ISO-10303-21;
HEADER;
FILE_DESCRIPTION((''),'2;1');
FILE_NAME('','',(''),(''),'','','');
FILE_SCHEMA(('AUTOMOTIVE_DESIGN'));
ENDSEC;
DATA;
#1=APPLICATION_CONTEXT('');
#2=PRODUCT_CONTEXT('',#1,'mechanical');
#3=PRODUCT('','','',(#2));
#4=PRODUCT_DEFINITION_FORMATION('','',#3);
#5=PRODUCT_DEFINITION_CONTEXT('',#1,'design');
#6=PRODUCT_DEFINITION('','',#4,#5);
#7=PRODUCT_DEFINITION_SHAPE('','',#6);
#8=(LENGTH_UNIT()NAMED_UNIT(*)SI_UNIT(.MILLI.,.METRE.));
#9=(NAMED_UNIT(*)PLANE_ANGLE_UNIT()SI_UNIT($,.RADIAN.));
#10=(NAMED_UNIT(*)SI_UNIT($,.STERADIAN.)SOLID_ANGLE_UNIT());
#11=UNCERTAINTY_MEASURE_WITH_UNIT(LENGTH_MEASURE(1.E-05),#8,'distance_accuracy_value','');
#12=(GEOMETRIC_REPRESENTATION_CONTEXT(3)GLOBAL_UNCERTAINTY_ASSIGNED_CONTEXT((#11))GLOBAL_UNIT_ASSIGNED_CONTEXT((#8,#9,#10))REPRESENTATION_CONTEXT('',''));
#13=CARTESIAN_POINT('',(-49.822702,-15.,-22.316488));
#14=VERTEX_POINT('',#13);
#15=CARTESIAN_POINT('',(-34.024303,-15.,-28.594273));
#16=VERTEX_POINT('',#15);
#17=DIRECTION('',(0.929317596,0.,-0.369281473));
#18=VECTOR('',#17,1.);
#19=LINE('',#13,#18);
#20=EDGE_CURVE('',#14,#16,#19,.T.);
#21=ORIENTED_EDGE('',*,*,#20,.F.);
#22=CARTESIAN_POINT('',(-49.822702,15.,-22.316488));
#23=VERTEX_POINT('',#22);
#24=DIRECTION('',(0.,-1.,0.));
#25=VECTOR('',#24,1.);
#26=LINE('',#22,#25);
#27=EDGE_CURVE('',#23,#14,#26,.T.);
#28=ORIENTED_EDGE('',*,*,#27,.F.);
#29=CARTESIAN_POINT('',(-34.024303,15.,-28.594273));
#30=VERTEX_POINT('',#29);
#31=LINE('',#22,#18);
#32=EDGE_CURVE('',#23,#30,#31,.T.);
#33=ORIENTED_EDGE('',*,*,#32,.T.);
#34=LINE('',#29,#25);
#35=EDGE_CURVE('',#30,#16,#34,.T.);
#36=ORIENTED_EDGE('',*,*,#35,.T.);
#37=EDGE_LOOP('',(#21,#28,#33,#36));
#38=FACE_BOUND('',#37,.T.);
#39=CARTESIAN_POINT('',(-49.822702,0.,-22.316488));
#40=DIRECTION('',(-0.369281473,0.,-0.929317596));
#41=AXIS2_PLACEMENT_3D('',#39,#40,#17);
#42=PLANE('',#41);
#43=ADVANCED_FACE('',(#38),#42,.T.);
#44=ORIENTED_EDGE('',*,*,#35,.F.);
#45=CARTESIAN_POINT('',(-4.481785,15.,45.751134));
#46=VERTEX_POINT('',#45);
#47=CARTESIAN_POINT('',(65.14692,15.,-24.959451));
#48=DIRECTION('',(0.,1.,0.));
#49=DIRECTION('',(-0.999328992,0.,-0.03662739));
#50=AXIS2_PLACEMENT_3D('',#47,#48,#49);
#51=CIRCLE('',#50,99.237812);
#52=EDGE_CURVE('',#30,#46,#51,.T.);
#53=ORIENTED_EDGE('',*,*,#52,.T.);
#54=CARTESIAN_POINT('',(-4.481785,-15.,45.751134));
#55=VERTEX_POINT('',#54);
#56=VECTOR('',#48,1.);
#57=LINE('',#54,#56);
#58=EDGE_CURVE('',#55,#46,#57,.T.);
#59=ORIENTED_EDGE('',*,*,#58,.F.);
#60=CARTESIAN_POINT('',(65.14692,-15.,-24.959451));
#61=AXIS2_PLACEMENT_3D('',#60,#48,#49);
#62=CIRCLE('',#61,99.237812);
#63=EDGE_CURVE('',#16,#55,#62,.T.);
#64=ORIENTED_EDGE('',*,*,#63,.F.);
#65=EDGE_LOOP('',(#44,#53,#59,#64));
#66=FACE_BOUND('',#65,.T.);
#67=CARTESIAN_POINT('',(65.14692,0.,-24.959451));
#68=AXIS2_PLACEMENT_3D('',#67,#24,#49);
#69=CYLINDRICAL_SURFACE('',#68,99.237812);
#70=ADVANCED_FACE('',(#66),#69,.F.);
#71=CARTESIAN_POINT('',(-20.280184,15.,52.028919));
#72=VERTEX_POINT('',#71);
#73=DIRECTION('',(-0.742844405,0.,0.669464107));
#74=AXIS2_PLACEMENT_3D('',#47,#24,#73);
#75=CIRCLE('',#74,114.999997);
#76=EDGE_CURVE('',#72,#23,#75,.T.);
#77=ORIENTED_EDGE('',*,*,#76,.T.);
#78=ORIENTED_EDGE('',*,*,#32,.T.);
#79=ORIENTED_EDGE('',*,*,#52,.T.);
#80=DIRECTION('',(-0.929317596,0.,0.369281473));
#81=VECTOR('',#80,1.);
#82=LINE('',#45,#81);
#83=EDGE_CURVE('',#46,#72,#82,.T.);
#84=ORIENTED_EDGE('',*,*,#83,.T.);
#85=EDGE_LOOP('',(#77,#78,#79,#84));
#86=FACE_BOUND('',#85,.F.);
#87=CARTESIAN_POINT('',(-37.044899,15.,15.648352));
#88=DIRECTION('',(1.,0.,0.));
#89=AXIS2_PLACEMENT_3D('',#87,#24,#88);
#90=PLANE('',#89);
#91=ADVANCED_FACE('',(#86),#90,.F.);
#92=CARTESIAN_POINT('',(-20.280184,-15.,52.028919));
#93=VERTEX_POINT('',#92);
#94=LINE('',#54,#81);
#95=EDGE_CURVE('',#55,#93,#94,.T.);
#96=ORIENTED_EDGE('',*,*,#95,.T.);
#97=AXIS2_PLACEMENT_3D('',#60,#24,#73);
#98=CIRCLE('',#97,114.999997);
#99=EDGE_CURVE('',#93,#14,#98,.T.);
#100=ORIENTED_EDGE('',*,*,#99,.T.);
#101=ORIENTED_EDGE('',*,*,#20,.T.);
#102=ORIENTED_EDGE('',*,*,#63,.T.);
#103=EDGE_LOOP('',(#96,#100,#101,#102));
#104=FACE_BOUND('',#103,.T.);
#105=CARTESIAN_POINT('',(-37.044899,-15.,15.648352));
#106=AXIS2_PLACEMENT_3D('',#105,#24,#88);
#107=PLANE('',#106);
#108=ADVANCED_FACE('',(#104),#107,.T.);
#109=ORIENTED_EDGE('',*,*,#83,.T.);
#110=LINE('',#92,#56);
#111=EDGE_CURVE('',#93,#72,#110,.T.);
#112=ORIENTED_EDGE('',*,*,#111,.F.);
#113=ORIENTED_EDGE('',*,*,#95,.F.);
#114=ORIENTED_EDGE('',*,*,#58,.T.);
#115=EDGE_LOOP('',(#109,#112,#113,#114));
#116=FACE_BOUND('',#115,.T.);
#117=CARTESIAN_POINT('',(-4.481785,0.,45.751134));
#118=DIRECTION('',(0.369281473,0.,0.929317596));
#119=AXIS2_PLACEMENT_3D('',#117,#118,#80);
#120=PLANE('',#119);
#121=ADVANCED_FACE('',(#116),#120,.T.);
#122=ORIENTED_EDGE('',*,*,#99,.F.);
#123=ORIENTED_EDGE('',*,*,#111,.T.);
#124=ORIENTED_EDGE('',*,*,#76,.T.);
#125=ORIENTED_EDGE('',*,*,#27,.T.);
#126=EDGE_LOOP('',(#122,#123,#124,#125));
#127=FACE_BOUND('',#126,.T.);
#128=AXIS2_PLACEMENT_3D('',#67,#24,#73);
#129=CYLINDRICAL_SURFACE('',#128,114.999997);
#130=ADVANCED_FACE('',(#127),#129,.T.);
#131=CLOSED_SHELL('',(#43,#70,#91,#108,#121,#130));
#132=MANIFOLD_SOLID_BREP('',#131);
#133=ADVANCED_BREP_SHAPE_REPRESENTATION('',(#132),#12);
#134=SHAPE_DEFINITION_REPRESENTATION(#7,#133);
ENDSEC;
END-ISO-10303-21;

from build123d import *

# Parameters (mm, degrees)
F1_DEPTH = 15


with BuildPart() as f1:
    # F0 (on Front) → F1 (new body, symmetric)
    with BuildSketch(Plane.XZ):
        with BuildLine():
            Line((-49.822702, -22.316488), (-20.280184, 52.028919))
            ThreePointArc((-20.280184, 52.028919), (-41.7246, 17.507918), (-49.822702, -22.316488))
        make_face()
        with BuildLine():
            Line((-4.481785, 45.751134), (-20.280184, 52.028919))
            Line((-20.280184, 52.028919), (-49.822702, -22.316488))
            Line((-49.822702, -22.316488), (-34.024303, -28.594273))
            ThreePointArc((-34.024303, -28.594273), (-27.076525, 11.687235), (-4.481785, 45.751134))
        make_face()
    extrude(amount=F1_DEPTH, both=True)


solid = f1.part
